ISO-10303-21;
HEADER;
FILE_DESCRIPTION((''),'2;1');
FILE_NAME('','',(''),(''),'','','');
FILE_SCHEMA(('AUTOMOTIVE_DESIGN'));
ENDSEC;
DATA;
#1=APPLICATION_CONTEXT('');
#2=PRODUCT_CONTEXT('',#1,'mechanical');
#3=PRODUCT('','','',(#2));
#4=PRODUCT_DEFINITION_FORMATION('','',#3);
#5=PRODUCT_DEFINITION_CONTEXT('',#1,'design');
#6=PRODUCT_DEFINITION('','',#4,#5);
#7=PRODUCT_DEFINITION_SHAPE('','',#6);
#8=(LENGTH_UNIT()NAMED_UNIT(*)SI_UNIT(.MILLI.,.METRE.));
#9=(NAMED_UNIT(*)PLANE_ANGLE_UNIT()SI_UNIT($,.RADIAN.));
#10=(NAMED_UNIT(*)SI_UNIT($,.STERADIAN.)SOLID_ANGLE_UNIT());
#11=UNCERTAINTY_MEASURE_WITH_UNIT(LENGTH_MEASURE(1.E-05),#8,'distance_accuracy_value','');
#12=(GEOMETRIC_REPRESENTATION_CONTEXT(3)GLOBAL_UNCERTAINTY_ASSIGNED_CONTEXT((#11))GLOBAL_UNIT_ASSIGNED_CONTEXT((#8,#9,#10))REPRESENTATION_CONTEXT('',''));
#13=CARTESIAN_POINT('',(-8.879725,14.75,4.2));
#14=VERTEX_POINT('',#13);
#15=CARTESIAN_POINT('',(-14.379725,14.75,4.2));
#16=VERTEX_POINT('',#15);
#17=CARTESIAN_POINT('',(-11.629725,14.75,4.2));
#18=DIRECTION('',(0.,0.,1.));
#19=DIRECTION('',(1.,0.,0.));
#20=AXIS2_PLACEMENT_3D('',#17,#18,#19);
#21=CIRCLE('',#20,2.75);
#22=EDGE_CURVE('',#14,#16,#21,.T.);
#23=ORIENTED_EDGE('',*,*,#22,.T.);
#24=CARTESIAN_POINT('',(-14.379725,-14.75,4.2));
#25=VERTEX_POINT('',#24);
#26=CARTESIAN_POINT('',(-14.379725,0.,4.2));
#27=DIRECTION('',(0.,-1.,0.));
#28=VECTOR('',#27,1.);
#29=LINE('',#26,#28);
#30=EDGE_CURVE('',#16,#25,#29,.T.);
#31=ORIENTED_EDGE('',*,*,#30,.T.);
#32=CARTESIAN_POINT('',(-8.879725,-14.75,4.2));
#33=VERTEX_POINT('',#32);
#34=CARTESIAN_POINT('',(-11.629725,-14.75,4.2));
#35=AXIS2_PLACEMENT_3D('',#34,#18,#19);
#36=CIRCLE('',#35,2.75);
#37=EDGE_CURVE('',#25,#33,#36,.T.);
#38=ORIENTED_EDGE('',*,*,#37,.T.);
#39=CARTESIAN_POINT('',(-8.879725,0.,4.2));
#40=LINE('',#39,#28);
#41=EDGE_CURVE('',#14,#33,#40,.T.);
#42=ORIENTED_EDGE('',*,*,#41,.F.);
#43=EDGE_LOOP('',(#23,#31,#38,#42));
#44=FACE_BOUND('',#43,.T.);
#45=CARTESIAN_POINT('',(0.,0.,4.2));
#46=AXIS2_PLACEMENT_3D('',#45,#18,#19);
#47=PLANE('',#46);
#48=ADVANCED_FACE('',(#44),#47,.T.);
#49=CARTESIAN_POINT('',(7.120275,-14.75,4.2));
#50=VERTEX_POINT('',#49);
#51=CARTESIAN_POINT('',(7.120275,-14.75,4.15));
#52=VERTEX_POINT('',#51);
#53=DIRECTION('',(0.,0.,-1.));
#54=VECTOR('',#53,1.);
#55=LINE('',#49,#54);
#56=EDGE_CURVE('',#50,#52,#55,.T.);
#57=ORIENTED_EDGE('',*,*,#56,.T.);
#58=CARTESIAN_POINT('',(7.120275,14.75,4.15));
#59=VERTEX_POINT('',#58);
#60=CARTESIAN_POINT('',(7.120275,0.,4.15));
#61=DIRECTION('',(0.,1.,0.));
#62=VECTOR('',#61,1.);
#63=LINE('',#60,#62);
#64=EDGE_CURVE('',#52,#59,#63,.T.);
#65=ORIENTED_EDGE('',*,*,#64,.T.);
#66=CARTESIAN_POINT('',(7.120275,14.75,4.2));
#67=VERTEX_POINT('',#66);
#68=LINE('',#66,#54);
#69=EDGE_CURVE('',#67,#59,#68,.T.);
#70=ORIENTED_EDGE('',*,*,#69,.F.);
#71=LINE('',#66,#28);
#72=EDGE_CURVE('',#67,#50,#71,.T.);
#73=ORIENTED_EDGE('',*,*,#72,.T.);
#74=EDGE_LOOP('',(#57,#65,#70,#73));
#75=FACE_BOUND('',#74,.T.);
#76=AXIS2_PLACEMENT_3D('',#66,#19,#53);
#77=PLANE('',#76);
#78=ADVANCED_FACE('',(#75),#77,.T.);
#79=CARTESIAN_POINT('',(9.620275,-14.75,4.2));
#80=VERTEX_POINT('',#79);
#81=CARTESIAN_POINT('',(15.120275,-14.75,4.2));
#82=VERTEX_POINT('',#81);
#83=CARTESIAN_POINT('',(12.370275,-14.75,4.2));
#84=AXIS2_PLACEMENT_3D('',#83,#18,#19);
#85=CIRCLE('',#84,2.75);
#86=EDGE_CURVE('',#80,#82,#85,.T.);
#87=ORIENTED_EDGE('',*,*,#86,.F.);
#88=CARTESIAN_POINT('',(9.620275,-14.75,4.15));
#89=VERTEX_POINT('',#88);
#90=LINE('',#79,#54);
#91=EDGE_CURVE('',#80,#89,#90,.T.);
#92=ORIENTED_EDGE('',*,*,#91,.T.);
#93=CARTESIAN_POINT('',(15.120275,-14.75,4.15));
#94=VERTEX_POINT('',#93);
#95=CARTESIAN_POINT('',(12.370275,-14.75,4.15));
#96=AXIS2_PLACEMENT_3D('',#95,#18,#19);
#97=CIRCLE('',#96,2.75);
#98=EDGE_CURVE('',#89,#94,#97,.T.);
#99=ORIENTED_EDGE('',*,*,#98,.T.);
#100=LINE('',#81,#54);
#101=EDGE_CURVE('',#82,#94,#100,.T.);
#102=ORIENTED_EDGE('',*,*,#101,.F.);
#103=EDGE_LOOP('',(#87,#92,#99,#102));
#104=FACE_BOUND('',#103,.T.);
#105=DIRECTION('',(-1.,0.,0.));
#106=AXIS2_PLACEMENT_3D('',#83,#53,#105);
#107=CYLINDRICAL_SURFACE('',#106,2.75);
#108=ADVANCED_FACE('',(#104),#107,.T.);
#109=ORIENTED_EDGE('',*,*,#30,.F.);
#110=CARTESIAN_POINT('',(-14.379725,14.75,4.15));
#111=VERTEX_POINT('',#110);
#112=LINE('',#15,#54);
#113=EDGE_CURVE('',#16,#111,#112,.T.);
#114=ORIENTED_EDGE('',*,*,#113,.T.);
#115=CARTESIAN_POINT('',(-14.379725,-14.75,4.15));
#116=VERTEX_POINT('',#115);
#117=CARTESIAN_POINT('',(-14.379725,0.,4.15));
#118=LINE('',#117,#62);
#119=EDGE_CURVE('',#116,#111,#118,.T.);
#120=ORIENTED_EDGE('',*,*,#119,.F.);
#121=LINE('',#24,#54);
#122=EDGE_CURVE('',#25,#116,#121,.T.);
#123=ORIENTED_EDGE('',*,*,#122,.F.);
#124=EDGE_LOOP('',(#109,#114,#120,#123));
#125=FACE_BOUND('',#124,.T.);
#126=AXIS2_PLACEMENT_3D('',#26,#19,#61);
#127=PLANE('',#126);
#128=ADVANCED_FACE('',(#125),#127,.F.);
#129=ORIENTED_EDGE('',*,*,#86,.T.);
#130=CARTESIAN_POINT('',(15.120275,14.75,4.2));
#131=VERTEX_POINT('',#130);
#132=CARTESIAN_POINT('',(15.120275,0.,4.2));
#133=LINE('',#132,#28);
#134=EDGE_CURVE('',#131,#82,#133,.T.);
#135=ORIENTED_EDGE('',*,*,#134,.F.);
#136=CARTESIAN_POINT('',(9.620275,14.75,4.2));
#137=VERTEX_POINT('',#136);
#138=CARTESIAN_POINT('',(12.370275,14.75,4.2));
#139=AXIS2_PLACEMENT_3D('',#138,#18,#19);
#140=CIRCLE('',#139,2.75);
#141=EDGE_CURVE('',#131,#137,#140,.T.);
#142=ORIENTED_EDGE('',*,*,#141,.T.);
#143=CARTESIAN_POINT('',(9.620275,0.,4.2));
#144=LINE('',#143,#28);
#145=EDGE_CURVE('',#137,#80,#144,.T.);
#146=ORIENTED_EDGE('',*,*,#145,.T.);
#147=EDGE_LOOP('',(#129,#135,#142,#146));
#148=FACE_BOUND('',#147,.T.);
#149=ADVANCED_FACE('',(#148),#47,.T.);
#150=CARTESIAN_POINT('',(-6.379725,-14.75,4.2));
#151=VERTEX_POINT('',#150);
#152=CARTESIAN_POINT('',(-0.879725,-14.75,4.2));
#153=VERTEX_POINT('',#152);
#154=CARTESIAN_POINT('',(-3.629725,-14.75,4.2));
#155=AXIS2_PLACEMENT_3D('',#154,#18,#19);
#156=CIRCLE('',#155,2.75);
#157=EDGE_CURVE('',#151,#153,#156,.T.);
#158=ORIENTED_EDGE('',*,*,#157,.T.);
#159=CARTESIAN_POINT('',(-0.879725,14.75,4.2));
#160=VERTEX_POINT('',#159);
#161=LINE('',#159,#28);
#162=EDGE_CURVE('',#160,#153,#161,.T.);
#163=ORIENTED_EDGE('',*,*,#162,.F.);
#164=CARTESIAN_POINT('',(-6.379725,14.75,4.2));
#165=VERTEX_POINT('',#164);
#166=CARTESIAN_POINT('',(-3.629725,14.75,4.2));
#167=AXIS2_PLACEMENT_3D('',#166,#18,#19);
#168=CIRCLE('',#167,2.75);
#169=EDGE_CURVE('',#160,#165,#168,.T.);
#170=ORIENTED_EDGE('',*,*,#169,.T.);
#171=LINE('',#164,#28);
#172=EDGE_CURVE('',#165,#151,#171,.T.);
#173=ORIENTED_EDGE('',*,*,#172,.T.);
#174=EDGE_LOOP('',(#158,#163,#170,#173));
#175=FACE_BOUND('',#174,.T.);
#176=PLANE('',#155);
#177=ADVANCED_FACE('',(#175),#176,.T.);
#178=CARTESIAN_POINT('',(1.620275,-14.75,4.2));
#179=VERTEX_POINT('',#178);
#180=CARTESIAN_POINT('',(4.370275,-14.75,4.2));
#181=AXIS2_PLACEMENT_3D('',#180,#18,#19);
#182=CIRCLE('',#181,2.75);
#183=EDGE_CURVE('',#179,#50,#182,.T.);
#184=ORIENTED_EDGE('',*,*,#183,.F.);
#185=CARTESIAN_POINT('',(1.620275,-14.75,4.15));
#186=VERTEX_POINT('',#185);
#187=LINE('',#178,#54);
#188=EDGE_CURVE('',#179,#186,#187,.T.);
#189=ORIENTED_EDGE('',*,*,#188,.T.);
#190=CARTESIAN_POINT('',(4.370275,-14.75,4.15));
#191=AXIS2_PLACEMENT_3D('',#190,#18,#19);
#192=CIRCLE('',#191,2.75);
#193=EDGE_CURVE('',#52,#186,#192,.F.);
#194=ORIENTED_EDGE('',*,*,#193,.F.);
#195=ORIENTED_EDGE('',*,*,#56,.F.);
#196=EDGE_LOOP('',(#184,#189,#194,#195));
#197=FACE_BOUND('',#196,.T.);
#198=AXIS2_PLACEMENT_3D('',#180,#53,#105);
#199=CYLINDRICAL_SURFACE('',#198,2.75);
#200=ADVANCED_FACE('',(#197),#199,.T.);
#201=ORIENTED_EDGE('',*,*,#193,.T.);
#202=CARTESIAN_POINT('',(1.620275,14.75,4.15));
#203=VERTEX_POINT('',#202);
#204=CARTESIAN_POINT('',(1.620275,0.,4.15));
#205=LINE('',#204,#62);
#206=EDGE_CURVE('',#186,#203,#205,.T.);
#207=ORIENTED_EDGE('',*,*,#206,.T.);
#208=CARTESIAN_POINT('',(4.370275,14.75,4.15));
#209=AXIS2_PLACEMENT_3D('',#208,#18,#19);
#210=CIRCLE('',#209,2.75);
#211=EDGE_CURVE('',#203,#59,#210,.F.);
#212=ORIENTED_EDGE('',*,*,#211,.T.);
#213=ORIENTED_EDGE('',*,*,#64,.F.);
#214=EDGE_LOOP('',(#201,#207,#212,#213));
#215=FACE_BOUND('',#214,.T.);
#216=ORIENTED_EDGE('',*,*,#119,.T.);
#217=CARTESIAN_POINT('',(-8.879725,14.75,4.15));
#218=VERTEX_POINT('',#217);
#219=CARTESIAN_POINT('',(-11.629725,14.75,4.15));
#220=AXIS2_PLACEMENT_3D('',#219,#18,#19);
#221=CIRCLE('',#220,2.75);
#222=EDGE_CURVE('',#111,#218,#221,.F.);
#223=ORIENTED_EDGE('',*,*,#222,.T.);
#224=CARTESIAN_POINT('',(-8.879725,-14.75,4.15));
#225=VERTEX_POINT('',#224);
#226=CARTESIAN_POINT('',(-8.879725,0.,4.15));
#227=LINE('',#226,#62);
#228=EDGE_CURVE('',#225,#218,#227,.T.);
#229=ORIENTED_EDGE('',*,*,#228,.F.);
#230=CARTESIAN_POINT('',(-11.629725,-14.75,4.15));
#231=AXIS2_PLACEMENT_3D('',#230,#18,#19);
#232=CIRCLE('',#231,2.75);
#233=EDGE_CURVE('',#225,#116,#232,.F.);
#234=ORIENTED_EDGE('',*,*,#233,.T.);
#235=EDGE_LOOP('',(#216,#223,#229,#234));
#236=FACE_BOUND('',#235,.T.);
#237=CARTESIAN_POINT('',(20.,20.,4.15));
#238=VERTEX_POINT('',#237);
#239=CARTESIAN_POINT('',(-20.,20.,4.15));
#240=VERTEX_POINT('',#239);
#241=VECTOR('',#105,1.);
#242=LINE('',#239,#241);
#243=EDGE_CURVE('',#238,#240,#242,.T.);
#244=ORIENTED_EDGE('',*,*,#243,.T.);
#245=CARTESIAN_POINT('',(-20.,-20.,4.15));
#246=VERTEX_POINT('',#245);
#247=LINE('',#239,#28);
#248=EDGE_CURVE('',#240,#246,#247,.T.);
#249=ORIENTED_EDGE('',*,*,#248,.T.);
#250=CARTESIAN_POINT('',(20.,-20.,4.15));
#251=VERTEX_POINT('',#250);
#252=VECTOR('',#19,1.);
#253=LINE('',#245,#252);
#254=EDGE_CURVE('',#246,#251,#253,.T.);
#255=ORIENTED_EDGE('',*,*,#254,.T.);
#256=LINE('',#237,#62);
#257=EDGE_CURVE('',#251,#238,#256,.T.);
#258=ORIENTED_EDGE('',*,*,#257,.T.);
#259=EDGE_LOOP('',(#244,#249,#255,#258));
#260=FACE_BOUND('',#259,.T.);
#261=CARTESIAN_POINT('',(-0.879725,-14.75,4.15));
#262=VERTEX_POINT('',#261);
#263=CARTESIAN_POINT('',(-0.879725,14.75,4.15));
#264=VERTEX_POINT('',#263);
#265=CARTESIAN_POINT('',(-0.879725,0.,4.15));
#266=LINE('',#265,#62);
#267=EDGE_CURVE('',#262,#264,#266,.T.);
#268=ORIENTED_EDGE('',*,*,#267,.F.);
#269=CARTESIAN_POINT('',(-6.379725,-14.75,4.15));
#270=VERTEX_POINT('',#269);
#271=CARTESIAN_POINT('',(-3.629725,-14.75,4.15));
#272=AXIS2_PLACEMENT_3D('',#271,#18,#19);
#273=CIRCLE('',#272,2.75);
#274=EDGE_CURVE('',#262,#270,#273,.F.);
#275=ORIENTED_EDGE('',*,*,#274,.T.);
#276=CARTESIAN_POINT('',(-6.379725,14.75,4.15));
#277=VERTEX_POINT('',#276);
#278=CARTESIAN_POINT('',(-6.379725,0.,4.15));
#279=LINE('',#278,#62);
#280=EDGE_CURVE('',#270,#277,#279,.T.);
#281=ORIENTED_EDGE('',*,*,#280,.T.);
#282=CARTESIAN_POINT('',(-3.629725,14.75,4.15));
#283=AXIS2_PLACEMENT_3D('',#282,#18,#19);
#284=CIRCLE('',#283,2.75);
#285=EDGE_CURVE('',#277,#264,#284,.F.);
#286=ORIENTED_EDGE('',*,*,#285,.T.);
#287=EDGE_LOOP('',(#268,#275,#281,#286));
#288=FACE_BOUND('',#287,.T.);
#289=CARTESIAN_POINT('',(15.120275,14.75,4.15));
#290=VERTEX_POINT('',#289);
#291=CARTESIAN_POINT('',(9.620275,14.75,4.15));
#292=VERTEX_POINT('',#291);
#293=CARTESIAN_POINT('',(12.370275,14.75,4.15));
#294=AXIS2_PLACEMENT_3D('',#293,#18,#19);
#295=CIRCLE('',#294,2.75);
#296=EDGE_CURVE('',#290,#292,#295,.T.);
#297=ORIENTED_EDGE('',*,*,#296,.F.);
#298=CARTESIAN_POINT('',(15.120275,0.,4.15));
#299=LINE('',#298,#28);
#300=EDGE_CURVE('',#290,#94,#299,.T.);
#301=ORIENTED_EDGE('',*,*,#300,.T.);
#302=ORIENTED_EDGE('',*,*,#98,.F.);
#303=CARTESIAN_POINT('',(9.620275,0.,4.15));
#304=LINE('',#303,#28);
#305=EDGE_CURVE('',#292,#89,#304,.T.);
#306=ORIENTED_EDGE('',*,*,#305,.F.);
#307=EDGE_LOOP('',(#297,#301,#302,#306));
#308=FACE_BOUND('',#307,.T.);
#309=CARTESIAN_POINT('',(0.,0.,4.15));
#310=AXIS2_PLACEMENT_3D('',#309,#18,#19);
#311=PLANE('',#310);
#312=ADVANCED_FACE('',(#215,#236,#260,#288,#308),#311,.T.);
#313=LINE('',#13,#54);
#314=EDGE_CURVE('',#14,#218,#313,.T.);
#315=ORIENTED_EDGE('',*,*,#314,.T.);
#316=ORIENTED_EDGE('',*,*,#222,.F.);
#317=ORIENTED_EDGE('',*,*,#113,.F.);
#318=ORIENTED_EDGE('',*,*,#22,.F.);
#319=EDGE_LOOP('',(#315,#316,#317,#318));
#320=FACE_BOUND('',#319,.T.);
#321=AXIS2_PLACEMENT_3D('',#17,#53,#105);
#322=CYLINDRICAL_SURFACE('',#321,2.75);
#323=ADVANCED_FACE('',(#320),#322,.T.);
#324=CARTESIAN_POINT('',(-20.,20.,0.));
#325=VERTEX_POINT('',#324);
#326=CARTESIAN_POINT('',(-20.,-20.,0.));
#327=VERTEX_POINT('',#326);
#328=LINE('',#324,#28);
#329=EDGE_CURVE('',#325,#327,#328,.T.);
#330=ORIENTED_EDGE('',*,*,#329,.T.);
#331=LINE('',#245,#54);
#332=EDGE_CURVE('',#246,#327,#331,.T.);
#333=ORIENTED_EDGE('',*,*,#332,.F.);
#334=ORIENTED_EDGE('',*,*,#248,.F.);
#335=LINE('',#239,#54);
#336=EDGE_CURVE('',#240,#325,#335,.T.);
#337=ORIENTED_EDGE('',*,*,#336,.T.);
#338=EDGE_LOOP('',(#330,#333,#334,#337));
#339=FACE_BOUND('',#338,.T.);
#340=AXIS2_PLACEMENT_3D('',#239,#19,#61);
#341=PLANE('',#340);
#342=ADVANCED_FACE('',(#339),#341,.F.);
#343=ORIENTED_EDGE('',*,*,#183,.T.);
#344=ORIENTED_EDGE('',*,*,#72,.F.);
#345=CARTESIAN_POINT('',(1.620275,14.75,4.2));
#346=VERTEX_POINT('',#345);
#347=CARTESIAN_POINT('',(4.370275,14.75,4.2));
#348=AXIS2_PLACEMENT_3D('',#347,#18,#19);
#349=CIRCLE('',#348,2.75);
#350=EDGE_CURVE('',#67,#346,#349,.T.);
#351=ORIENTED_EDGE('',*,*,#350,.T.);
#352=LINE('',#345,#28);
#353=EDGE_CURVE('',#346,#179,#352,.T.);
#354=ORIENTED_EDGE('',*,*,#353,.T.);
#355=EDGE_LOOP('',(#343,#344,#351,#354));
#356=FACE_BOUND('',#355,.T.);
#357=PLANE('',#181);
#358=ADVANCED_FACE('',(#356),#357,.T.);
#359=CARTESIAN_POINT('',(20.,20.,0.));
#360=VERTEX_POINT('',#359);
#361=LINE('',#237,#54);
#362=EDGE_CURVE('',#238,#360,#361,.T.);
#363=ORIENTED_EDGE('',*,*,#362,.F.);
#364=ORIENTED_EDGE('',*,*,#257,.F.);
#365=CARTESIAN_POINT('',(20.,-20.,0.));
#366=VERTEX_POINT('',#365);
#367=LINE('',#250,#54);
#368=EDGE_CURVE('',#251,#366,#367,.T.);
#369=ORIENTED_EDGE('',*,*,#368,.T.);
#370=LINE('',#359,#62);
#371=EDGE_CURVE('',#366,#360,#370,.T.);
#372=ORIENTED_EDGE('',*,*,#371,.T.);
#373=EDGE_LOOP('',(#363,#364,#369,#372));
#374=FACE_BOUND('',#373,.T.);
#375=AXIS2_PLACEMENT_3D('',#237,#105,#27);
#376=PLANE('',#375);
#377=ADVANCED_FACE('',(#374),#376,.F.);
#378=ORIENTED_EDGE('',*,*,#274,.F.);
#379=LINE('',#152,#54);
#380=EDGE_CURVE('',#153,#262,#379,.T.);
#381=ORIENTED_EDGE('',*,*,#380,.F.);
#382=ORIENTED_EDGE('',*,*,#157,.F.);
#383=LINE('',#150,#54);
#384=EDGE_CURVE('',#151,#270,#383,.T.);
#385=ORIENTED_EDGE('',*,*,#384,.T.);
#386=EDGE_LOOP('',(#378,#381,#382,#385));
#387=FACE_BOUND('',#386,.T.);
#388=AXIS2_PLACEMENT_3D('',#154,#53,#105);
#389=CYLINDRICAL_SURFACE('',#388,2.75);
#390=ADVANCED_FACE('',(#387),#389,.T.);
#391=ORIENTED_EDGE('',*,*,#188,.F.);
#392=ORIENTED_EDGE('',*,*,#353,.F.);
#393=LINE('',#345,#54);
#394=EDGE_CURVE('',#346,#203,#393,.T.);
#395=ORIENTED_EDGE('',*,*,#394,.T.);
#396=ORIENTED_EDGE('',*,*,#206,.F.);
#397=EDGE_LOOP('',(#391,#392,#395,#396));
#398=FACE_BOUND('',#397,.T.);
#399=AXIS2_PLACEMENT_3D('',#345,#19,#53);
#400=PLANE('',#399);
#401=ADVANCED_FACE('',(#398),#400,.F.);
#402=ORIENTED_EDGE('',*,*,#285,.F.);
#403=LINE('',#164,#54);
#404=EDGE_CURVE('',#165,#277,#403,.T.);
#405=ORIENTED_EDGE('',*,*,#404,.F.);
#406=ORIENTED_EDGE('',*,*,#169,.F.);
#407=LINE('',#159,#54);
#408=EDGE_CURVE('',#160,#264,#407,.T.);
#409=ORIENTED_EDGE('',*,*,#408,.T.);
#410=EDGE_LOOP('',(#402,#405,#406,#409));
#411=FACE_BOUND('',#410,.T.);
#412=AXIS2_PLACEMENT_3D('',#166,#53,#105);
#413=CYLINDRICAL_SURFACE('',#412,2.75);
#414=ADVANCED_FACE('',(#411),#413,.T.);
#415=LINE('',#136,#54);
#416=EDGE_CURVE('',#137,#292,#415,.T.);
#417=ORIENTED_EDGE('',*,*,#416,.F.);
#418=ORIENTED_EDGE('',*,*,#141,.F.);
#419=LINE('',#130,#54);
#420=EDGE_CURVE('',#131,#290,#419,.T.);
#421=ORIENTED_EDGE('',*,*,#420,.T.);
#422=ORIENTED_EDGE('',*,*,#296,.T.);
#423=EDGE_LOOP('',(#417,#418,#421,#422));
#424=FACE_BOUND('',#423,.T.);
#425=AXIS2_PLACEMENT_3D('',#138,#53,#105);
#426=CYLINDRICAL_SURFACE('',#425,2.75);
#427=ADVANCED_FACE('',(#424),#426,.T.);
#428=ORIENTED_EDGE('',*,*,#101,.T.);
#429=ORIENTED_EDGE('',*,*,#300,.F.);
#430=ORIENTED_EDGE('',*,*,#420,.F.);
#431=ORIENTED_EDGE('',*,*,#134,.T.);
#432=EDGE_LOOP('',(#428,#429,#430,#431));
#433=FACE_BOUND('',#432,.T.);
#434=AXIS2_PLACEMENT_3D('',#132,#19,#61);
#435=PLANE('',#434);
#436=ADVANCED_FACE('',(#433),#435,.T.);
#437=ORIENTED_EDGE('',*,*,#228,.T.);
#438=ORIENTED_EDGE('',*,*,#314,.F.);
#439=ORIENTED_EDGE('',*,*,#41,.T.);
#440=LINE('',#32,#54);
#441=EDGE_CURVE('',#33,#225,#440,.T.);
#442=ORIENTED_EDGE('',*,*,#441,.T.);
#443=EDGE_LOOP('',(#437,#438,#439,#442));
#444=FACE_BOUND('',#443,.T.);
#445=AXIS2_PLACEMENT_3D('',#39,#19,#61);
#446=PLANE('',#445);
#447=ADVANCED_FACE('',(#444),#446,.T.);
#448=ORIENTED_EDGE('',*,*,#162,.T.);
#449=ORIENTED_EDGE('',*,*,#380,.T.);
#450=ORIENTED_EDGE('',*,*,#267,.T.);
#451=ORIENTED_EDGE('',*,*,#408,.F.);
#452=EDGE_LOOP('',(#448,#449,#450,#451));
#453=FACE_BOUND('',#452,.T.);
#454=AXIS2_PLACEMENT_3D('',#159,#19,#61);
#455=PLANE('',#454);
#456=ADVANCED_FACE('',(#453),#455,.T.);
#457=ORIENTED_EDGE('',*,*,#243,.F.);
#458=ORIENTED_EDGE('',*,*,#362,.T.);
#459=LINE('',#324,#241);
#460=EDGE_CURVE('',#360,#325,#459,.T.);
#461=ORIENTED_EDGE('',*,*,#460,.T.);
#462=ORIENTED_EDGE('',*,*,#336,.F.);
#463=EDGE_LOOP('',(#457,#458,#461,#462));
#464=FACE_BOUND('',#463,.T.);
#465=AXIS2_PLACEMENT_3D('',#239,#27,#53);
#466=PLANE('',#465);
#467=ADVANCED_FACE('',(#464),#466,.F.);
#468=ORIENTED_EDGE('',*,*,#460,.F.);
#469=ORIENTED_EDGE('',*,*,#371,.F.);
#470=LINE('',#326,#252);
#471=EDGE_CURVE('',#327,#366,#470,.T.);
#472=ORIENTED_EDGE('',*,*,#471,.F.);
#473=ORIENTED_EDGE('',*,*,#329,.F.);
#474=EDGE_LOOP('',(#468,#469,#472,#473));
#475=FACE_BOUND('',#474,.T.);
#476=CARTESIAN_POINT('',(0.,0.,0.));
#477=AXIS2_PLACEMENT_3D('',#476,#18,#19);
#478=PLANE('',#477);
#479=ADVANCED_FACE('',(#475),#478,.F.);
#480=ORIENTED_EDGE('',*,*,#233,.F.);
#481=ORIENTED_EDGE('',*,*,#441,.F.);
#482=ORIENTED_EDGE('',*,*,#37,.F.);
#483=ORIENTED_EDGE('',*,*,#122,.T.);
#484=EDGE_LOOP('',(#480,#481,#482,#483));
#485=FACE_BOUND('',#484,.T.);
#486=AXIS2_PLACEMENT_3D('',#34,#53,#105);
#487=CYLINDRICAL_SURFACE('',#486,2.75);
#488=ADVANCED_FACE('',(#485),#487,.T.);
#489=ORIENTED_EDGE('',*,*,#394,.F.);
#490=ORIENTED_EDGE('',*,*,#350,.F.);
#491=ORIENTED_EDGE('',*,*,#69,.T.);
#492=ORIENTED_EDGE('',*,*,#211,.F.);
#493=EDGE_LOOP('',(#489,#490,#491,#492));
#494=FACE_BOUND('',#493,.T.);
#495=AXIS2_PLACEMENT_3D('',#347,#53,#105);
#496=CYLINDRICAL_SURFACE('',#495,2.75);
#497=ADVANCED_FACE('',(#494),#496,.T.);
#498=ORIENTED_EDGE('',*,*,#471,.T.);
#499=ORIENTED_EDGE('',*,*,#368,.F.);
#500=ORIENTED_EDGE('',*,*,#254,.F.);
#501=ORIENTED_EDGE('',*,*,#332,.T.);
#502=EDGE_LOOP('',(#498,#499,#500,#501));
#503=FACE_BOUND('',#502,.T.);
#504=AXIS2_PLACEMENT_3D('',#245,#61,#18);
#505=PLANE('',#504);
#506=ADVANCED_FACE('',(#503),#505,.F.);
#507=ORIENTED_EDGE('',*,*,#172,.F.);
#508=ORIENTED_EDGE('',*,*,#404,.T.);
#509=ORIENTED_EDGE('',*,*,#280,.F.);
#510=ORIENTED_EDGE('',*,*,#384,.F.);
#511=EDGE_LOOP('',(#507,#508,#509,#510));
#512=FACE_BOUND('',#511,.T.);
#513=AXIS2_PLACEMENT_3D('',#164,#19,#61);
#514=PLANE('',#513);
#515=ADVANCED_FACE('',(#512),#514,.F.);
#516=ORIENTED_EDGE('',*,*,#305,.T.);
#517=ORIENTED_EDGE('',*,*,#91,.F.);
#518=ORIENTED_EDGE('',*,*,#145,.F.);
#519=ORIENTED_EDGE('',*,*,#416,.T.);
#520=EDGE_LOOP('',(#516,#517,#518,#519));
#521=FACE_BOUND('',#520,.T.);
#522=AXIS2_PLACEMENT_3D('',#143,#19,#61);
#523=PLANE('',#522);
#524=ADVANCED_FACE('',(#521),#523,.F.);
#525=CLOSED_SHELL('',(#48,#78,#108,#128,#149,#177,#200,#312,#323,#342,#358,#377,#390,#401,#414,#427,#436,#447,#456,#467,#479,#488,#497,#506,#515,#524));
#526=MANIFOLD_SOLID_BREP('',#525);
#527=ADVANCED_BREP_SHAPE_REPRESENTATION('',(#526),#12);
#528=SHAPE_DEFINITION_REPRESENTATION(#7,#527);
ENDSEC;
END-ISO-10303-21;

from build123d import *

# Parameters (mm, degrees)
BOSS_EXTRUDE1_DEPTH   = 4.2
BOSS_EXTRUDE1_2_DEPTH = 4.2
BOSS_EXTRUDE1_3_DEPTH = 4.2
BOSS_EXTRUDE1_4_DEPTH = 4.2
SKETCH2_W             = 40
SKETCH2_H             = 40
BOSS_EXTRUDE2_DEPTH   = 4.15


with BuildPart() as part:
    # Sketch1 → Boss-Extrude1 (new body)
    with BuildSketch(Plane.XY):
        with BuildLine():
            Line((9.620275047, 14.75), (9.620275047, -14.75))
            ThreePointArc((9.620275047, -14.75), (12.370275047, -17.5), (15.120275047, -14.75))
            Line((15.120275047, -14.75), (15.120275047, 14.75))
            ThreePointArc((15.120275047, 14.75), (12.370275047, 17.5), (9.620275047, 14.75))
        make_face()
    extrude(amount=BOSS_EXTRUDE1_DEPTH)



with BuildPart() as body_2:
    # Sketch1 → Boss-Extrude1 2 (new body)
    with BuildSketch(Plane.XY):
        with BuildLine():
            Line((-14.379724953, 14.75), (-14.379724953, -14.75))
            ThreePointArc((-14.379724953, -14.75), (-11.629724953, -17.5), (-8.879724953, -14.75))
            Line((-8.879724953, -14.75), (-8.879724953, 14.75))
            ThreePointArc((-8.879724953, 14.75), (-11.629724953, 17.5), (-14.379724953, 14.75))
        make_face()
    extrude(amount=BOSS_EXTRUDE1_2_DEPTH)


with BuildPart() as body_3:
    # Sketch1 → Boss-Extrude1 3 (new body)
    with BuildSketch(Plane.XY):
        with BuildLine():
            ThreePointArc((7.120275047, 14.75), (4.370275047, 17.5), (1.620275047, 14.75))
            Line((1.620275047, 14.75), (1.620275047, -14.75))
            ThreePointArc((1.620275047, -14.75), (4.370275047, -17.5), (7.120275047, -14.75))
            Line((7.120275047, -14.75), (7.120275047, 14.75))
        make_face()
    extrude(amount=BOSS_EXTRUDE1_3_DEPTH)


with BuildPart() as body_4:
    # Sketch1 → Boss-Extrude1 4 (new body)
    with BuildSketch(Plane.XY):
        with BuildLine():
            ThreePointArc((-0.879724953, 14.75), (-3.629724953, 17.5), (-6.379724953, 14.75))
            Line((-6.379724953, 14.75), (-6.379724953, -14.75))
            ThreePointArc((-6.379724953, -14.75), (-3.629724953, -17.5), (-0.879724953, -14.75))
            Line((-0.879724953, -14.75), (-0.879724953, 14.75))
        make_face()
    extrude(amount=BOSS_EXTRUDE1_4_DEPTH)


with BuildPart() as part_1:
    add(part.part)

    add(body_2.part)  # Boss-Extrude2 merges body 2

    add(body_3.part)  # Boss-Extrude2 merges body 3

    add(body_4.part)  # Boss-Extrude2 merges body 4
    # Sketch2 → Boss-Extrude2 (add)
    with BuildSketch(Plane.XY):
        Rectangle(SKETCH2_W, SKETCH2_H)
    extrude(amount=BOSS_EXTRUDE2_DEPTH)


solid = part_1.part
